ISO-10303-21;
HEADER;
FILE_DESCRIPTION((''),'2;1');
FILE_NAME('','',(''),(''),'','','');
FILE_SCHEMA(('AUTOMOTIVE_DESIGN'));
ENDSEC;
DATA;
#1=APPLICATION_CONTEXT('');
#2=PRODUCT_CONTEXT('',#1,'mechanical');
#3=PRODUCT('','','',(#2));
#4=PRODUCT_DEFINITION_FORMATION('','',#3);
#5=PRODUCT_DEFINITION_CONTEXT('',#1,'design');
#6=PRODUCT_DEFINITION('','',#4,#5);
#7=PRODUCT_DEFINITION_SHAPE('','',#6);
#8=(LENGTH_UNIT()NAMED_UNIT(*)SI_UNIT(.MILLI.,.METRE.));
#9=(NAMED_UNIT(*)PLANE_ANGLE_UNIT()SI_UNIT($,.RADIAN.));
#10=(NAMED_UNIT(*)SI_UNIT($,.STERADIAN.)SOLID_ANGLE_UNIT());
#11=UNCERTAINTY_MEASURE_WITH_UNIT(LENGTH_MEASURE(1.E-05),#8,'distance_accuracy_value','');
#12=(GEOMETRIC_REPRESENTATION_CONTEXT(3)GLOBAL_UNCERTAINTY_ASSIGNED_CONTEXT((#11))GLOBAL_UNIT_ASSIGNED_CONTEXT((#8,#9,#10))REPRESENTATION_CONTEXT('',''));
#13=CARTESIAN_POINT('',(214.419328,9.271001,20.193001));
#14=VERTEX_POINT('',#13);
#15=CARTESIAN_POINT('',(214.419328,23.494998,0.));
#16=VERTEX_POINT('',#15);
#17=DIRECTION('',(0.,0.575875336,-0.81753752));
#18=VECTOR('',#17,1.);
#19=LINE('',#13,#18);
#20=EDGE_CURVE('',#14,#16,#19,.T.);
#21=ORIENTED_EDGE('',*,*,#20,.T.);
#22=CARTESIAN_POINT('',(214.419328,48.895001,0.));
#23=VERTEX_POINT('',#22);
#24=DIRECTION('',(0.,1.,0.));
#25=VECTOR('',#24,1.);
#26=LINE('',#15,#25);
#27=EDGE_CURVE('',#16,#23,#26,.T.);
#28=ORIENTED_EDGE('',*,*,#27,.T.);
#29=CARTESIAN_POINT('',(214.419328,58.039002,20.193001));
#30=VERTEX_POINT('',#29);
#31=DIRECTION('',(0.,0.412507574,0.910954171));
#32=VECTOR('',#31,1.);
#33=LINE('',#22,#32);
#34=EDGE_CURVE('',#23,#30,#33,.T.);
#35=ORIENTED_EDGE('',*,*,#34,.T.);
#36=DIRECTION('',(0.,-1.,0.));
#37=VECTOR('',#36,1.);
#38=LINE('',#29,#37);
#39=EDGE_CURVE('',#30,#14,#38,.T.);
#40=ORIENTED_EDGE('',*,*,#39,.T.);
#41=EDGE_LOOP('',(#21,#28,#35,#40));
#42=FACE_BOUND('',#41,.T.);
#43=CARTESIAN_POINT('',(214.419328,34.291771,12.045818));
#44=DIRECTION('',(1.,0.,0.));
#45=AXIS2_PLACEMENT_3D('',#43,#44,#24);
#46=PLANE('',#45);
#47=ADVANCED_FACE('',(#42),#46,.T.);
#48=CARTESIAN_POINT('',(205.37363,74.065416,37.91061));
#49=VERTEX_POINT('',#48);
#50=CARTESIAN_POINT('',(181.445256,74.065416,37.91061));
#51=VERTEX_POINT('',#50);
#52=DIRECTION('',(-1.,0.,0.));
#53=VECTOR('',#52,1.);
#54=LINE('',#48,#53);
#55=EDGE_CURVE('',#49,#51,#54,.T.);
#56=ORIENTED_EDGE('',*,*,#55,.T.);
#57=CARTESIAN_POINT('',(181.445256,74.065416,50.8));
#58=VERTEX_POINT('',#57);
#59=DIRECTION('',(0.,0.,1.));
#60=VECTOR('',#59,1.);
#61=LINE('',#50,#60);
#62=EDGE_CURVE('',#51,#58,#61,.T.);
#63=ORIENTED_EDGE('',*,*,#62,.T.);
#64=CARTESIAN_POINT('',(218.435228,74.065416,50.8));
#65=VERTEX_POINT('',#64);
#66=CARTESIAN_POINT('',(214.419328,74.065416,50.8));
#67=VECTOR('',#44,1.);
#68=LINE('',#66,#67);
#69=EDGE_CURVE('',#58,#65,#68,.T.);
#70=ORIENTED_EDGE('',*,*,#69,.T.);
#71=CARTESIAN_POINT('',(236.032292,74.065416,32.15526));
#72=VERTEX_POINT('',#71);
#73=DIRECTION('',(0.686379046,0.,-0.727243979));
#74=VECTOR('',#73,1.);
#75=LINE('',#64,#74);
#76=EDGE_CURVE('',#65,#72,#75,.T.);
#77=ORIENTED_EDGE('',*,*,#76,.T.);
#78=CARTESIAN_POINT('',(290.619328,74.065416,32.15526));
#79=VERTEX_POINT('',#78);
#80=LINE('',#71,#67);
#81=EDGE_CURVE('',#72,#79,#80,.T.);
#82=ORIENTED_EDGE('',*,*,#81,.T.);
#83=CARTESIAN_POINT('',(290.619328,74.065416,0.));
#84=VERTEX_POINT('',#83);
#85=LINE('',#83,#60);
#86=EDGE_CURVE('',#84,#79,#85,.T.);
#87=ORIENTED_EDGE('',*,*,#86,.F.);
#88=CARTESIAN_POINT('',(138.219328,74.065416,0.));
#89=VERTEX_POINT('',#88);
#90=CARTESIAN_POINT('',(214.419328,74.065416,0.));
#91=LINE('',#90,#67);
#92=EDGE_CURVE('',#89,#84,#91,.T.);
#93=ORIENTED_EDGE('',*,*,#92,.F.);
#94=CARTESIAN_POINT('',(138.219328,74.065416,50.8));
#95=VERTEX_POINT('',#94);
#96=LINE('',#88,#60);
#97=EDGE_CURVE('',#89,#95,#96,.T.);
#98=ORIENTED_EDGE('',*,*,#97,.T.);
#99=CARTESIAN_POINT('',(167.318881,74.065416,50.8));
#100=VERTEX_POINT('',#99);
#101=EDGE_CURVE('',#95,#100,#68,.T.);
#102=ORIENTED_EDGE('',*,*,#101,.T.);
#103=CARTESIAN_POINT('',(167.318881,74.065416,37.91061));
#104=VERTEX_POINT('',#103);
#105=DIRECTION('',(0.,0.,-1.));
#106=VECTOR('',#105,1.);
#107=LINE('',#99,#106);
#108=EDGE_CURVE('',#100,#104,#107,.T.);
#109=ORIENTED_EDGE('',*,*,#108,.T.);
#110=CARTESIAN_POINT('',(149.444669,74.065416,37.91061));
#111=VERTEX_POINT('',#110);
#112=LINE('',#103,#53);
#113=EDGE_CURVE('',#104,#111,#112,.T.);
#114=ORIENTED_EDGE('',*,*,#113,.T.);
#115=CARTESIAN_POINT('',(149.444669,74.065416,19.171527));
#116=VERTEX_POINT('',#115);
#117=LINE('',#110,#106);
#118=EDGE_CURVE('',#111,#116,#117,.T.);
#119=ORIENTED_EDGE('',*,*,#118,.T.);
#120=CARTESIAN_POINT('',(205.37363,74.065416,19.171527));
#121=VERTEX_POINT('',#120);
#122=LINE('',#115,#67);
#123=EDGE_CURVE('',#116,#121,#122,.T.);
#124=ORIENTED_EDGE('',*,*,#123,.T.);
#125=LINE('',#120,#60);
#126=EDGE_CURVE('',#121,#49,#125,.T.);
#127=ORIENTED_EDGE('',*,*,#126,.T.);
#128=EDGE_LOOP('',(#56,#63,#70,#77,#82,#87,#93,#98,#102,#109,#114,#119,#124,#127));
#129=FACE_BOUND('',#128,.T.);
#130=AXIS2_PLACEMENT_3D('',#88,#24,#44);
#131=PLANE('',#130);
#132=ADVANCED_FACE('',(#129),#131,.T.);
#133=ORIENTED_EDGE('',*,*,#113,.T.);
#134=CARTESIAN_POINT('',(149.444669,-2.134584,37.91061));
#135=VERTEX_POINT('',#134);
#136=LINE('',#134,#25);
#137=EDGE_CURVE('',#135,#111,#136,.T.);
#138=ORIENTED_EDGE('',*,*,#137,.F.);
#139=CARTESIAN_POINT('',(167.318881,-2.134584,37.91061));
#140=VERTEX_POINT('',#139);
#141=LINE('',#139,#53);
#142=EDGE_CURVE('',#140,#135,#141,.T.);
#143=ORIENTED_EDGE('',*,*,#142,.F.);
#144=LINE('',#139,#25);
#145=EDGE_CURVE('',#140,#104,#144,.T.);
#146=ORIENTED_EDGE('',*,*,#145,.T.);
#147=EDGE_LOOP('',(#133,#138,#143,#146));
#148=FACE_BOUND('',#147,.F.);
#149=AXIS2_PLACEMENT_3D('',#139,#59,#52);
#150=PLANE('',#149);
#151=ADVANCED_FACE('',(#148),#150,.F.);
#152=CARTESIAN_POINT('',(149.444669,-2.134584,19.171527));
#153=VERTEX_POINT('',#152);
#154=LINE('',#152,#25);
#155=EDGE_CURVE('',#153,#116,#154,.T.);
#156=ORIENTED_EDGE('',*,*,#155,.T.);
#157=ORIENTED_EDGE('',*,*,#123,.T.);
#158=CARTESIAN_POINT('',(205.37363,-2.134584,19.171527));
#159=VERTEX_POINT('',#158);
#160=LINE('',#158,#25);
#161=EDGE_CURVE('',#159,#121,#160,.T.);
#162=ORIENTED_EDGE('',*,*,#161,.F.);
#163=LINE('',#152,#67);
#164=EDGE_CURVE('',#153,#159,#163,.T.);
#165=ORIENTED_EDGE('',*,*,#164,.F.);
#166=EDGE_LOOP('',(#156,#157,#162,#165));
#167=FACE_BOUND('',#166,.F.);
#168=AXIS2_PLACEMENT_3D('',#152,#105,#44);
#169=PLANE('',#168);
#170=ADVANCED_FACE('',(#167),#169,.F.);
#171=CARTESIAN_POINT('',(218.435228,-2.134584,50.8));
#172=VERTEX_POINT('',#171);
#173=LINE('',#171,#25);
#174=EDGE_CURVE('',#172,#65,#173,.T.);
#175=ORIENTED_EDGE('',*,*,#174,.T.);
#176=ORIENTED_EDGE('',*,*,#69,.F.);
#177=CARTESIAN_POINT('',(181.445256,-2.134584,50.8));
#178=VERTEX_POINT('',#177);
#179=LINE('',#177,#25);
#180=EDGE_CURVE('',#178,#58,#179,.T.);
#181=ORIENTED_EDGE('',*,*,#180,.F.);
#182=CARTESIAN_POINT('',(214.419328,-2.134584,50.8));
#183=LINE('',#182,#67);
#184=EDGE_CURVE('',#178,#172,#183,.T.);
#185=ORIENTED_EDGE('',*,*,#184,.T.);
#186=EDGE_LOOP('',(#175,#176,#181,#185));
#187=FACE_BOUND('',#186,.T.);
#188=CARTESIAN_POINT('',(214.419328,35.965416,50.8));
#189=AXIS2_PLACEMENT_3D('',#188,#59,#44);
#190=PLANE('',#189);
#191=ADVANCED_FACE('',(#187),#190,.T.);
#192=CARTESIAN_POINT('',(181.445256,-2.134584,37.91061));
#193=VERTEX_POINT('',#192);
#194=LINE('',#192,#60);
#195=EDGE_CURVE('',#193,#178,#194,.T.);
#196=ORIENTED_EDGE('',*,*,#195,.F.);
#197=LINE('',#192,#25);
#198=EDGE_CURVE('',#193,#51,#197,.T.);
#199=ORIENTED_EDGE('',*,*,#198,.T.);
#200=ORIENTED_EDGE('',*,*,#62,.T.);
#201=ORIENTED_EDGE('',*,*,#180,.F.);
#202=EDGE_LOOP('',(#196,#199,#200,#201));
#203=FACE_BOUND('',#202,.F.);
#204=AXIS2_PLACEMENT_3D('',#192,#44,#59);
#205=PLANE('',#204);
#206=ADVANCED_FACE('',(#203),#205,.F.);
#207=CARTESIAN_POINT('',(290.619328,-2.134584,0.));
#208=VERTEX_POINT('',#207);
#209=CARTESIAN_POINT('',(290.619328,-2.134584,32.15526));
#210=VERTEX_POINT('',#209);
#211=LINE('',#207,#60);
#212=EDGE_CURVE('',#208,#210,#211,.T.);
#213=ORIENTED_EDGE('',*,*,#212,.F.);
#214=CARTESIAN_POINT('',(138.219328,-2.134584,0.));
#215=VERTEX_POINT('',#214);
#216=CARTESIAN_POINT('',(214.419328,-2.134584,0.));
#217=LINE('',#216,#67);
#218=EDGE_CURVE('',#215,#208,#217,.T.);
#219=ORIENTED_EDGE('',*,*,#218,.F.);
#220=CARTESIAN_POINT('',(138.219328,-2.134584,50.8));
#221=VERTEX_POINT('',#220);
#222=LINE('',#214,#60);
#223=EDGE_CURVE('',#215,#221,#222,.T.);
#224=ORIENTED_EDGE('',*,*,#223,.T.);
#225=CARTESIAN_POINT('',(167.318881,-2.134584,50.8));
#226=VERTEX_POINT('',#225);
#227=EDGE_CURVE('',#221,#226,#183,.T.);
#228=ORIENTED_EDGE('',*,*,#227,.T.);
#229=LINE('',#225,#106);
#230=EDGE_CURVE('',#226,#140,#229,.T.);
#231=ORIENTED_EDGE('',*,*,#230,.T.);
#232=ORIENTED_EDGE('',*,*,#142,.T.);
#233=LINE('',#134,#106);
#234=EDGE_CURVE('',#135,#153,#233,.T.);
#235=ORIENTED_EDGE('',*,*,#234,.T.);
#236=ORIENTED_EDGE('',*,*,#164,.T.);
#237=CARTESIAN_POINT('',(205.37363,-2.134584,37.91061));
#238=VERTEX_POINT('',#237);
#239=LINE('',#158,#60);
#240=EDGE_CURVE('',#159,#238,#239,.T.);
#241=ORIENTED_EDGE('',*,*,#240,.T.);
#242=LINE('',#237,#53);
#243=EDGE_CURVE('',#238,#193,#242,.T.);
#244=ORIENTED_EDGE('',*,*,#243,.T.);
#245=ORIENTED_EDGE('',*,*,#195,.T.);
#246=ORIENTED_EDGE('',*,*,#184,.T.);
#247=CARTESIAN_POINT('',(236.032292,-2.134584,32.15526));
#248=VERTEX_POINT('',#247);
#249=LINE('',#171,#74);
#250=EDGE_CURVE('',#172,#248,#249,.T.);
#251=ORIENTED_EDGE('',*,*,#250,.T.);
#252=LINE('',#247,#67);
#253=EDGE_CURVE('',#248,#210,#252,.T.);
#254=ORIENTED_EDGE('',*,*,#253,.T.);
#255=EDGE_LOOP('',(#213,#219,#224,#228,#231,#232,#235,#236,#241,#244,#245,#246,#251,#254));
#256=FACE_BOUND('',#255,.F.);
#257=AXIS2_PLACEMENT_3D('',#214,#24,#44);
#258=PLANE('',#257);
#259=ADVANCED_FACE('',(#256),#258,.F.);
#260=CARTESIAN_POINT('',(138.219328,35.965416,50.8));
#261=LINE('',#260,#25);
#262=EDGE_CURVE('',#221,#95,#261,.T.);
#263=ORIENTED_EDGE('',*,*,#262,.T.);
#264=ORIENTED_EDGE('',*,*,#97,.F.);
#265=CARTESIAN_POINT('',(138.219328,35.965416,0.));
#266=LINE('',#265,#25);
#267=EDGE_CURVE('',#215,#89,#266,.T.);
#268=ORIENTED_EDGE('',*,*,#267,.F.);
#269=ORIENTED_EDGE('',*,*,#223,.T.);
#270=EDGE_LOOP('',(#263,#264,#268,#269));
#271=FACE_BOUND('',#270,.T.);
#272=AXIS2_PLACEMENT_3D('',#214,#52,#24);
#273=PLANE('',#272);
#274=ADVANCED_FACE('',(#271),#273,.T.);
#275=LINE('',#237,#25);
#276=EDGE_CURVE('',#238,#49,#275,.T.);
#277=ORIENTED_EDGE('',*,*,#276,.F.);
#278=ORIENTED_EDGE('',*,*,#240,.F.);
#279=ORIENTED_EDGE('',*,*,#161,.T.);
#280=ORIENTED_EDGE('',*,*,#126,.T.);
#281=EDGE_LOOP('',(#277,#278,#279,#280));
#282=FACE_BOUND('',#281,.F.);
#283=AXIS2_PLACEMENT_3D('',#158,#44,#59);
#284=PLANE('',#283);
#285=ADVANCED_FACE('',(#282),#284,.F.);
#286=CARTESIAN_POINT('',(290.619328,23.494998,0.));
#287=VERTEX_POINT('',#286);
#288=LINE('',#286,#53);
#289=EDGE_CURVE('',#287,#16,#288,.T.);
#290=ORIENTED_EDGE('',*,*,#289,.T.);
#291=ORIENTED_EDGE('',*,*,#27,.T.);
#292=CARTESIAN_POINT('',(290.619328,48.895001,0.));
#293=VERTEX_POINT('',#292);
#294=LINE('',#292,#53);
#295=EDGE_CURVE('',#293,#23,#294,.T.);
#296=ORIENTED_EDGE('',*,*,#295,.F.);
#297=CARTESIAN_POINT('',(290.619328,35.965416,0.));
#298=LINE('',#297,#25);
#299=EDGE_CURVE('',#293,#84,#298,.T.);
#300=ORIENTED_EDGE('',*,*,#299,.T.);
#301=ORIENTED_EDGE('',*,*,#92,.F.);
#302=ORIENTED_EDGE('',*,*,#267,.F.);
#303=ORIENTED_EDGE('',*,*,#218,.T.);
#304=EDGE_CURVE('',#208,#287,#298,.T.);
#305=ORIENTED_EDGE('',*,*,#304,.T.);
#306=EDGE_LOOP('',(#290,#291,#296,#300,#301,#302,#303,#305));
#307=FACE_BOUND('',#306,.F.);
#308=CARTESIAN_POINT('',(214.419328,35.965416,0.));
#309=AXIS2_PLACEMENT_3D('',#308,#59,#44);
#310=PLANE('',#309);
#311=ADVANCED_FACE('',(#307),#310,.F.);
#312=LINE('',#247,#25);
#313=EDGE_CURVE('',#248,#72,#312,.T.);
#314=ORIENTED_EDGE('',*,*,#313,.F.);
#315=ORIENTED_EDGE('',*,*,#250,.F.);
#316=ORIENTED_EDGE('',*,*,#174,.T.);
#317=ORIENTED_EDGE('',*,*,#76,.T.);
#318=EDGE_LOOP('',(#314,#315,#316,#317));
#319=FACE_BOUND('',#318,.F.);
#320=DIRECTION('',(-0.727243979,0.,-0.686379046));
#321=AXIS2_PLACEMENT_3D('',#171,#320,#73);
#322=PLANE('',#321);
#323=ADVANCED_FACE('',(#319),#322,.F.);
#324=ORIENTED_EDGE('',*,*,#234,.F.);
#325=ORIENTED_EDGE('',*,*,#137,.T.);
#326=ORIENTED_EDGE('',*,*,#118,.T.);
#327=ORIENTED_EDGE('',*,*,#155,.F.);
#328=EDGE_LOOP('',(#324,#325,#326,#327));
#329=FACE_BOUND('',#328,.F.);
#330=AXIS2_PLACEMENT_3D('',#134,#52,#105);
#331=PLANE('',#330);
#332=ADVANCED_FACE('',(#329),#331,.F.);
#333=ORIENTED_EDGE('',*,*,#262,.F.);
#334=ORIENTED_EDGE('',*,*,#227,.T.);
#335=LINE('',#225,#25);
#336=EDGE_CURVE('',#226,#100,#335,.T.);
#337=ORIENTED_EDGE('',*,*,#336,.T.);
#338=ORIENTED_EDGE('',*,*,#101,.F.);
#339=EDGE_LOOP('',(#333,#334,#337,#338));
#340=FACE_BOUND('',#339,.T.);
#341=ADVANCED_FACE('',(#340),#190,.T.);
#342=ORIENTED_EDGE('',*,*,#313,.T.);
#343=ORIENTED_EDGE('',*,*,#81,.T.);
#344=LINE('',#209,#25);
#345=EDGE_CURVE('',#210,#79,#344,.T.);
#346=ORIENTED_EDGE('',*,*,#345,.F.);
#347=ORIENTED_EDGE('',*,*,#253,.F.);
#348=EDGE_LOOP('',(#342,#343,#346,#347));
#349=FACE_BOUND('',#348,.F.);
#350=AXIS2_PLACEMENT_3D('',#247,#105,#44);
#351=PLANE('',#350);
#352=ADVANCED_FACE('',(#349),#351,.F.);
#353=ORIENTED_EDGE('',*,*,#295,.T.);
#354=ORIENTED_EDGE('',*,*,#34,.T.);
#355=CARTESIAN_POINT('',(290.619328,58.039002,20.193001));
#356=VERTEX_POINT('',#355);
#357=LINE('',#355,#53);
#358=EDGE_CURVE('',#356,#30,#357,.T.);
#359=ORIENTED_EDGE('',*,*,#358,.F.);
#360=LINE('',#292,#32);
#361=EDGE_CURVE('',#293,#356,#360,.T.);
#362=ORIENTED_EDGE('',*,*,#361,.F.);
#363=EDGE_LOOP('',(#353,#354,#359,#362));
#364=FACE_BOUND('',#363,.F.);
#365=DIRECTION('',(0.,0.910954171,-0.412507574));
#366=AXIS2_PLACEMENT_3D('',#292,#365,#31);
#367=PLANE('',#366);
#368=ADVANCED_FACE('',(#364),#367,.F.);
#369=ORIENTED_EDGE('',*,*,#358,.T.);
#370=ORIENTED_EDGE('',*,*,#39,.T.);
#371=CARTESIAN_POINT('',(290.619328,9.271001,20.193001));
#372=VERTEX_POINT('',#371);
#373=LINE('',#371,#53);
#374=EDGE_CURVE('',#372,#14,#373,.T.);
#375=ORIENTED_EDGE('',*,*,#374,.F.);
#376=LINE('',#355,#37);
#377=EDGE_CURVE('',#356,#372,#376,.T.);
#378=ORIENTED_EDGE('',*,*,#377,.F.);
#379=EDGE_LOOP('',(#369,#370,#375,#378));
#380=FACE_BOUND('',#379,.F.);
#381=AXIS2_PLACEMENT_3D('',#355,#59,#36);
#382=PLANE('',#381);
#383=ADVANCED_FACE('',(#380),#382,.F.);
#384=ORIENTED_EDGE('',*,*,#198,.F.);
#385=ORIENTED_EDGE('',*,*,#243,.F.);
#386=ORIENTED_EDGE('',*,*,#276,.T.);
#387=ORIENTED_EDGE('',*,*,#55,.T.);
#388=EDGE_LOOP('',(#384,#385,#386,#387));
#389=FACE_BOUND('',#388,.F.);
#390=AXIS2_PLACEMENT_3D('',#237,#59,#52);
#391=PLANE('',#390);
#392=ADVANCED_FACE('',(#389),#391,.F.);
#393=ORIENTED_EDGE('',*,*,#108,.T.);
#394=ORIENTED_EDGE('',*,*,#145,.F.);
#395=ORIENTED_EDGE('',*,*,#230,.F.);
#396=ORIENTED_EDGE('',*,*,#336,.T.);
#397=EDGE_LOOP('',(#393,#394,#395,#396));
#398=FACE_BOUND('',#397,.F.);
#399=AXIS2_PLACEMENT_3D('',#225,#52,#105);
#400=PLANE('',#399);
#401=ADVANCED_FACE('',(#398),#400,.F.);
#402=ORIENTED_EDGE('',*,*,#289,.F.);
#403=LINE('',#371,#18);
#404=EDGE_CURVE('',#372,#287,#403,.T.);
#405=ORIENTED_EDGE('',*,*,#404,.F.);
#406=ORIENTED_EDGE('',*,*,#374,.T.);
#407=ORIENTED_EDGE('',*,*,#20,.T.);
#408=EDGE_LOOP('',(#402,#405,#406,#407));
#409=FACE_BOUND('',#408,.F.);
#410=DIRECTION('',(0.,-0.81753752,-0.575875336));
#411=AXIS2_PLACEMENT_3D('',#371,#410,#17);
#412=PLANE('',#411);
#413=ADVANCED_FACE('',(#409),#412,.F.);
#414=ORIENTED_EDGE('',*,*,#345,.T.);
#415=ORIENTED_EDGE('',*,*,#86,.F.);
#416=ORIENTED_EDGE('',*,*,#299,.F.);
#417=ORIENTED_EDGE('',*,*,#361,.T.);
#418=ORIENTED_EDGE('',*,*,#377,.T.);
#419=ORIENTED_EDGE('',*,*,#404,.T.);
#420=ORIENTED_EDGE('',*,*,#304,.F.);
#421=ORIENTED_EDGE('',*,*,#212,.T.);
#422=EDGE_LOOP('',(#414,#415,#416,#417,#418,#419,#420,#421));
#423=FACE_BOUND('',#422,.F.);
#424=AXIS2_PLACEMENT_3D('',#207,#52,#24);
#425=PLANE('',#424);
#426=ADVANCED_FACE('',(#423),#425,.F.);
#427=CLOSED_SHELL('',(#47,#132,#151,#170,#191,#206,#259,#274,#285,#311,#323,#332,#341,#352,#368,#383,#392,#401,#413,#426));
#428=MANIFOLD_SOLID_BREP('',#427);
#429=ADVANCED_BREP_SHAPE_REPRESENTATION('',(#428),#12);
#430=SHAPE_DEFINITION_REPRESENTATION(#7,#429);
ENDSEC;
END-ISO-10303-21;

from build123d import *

# Parameters (mm, degrees)
F0_W     = 152.4
F0_H     = 76.2
F1_DEPTH = 50.8
F3_DEPTH = 76.2
F5_DEPTH = 76.2
F7_DEPTH = 76.2


with BuildPart() as f1:
    # F0 (on Top) → F1 (new body)
    with BuildSketch(Plane.XY):
        with Locations((214.419328, 35.965416)):
            Rectangle(F0_W, F0_H)
    extrude(amount=F1_DEPTH)

    # F2 (on face) → F3 (cut)
    with BuildSketch(Plane.XZ.offset(2.134584)):
        Polygon((181.445256, 50.8), (167.318881, 50.8), (167.318881, 37.91061), (149.444669, 37.91061), (149.444669, 19.171527), (205.37363, 19.171527), (205.37363, 37.91061), (181.445256, 37.91061), align=None)
    extrude(amount=-F3_DEPTH, mode=Mode.SUBTRACT)

    # F4 (on face) → F5 (cut)
    with BuildSketch(Plane.XZ.offset(2.134584)):
        Polygon((290.619328, 50.8), (218.435228, 50.8), (236.032292, 32.15526), (290.619328, 32.15526), align=None)
    extrude(amount=-F5_DEPTH, mode=Mode.SUBTRACT)

    # F6 (on face) → F7 (cut)
    with BuildSketch(Plane.YZ.offset(290.619328)):
        Polygon((9.271001, 20.193001), (23.494998, 0), (48.895001, 0), (58.039002, 20.193001), align=None)
    extrude(amount=-F7_DEPTH, mode=Mode.SUBTRACT)


solid = f1.part
